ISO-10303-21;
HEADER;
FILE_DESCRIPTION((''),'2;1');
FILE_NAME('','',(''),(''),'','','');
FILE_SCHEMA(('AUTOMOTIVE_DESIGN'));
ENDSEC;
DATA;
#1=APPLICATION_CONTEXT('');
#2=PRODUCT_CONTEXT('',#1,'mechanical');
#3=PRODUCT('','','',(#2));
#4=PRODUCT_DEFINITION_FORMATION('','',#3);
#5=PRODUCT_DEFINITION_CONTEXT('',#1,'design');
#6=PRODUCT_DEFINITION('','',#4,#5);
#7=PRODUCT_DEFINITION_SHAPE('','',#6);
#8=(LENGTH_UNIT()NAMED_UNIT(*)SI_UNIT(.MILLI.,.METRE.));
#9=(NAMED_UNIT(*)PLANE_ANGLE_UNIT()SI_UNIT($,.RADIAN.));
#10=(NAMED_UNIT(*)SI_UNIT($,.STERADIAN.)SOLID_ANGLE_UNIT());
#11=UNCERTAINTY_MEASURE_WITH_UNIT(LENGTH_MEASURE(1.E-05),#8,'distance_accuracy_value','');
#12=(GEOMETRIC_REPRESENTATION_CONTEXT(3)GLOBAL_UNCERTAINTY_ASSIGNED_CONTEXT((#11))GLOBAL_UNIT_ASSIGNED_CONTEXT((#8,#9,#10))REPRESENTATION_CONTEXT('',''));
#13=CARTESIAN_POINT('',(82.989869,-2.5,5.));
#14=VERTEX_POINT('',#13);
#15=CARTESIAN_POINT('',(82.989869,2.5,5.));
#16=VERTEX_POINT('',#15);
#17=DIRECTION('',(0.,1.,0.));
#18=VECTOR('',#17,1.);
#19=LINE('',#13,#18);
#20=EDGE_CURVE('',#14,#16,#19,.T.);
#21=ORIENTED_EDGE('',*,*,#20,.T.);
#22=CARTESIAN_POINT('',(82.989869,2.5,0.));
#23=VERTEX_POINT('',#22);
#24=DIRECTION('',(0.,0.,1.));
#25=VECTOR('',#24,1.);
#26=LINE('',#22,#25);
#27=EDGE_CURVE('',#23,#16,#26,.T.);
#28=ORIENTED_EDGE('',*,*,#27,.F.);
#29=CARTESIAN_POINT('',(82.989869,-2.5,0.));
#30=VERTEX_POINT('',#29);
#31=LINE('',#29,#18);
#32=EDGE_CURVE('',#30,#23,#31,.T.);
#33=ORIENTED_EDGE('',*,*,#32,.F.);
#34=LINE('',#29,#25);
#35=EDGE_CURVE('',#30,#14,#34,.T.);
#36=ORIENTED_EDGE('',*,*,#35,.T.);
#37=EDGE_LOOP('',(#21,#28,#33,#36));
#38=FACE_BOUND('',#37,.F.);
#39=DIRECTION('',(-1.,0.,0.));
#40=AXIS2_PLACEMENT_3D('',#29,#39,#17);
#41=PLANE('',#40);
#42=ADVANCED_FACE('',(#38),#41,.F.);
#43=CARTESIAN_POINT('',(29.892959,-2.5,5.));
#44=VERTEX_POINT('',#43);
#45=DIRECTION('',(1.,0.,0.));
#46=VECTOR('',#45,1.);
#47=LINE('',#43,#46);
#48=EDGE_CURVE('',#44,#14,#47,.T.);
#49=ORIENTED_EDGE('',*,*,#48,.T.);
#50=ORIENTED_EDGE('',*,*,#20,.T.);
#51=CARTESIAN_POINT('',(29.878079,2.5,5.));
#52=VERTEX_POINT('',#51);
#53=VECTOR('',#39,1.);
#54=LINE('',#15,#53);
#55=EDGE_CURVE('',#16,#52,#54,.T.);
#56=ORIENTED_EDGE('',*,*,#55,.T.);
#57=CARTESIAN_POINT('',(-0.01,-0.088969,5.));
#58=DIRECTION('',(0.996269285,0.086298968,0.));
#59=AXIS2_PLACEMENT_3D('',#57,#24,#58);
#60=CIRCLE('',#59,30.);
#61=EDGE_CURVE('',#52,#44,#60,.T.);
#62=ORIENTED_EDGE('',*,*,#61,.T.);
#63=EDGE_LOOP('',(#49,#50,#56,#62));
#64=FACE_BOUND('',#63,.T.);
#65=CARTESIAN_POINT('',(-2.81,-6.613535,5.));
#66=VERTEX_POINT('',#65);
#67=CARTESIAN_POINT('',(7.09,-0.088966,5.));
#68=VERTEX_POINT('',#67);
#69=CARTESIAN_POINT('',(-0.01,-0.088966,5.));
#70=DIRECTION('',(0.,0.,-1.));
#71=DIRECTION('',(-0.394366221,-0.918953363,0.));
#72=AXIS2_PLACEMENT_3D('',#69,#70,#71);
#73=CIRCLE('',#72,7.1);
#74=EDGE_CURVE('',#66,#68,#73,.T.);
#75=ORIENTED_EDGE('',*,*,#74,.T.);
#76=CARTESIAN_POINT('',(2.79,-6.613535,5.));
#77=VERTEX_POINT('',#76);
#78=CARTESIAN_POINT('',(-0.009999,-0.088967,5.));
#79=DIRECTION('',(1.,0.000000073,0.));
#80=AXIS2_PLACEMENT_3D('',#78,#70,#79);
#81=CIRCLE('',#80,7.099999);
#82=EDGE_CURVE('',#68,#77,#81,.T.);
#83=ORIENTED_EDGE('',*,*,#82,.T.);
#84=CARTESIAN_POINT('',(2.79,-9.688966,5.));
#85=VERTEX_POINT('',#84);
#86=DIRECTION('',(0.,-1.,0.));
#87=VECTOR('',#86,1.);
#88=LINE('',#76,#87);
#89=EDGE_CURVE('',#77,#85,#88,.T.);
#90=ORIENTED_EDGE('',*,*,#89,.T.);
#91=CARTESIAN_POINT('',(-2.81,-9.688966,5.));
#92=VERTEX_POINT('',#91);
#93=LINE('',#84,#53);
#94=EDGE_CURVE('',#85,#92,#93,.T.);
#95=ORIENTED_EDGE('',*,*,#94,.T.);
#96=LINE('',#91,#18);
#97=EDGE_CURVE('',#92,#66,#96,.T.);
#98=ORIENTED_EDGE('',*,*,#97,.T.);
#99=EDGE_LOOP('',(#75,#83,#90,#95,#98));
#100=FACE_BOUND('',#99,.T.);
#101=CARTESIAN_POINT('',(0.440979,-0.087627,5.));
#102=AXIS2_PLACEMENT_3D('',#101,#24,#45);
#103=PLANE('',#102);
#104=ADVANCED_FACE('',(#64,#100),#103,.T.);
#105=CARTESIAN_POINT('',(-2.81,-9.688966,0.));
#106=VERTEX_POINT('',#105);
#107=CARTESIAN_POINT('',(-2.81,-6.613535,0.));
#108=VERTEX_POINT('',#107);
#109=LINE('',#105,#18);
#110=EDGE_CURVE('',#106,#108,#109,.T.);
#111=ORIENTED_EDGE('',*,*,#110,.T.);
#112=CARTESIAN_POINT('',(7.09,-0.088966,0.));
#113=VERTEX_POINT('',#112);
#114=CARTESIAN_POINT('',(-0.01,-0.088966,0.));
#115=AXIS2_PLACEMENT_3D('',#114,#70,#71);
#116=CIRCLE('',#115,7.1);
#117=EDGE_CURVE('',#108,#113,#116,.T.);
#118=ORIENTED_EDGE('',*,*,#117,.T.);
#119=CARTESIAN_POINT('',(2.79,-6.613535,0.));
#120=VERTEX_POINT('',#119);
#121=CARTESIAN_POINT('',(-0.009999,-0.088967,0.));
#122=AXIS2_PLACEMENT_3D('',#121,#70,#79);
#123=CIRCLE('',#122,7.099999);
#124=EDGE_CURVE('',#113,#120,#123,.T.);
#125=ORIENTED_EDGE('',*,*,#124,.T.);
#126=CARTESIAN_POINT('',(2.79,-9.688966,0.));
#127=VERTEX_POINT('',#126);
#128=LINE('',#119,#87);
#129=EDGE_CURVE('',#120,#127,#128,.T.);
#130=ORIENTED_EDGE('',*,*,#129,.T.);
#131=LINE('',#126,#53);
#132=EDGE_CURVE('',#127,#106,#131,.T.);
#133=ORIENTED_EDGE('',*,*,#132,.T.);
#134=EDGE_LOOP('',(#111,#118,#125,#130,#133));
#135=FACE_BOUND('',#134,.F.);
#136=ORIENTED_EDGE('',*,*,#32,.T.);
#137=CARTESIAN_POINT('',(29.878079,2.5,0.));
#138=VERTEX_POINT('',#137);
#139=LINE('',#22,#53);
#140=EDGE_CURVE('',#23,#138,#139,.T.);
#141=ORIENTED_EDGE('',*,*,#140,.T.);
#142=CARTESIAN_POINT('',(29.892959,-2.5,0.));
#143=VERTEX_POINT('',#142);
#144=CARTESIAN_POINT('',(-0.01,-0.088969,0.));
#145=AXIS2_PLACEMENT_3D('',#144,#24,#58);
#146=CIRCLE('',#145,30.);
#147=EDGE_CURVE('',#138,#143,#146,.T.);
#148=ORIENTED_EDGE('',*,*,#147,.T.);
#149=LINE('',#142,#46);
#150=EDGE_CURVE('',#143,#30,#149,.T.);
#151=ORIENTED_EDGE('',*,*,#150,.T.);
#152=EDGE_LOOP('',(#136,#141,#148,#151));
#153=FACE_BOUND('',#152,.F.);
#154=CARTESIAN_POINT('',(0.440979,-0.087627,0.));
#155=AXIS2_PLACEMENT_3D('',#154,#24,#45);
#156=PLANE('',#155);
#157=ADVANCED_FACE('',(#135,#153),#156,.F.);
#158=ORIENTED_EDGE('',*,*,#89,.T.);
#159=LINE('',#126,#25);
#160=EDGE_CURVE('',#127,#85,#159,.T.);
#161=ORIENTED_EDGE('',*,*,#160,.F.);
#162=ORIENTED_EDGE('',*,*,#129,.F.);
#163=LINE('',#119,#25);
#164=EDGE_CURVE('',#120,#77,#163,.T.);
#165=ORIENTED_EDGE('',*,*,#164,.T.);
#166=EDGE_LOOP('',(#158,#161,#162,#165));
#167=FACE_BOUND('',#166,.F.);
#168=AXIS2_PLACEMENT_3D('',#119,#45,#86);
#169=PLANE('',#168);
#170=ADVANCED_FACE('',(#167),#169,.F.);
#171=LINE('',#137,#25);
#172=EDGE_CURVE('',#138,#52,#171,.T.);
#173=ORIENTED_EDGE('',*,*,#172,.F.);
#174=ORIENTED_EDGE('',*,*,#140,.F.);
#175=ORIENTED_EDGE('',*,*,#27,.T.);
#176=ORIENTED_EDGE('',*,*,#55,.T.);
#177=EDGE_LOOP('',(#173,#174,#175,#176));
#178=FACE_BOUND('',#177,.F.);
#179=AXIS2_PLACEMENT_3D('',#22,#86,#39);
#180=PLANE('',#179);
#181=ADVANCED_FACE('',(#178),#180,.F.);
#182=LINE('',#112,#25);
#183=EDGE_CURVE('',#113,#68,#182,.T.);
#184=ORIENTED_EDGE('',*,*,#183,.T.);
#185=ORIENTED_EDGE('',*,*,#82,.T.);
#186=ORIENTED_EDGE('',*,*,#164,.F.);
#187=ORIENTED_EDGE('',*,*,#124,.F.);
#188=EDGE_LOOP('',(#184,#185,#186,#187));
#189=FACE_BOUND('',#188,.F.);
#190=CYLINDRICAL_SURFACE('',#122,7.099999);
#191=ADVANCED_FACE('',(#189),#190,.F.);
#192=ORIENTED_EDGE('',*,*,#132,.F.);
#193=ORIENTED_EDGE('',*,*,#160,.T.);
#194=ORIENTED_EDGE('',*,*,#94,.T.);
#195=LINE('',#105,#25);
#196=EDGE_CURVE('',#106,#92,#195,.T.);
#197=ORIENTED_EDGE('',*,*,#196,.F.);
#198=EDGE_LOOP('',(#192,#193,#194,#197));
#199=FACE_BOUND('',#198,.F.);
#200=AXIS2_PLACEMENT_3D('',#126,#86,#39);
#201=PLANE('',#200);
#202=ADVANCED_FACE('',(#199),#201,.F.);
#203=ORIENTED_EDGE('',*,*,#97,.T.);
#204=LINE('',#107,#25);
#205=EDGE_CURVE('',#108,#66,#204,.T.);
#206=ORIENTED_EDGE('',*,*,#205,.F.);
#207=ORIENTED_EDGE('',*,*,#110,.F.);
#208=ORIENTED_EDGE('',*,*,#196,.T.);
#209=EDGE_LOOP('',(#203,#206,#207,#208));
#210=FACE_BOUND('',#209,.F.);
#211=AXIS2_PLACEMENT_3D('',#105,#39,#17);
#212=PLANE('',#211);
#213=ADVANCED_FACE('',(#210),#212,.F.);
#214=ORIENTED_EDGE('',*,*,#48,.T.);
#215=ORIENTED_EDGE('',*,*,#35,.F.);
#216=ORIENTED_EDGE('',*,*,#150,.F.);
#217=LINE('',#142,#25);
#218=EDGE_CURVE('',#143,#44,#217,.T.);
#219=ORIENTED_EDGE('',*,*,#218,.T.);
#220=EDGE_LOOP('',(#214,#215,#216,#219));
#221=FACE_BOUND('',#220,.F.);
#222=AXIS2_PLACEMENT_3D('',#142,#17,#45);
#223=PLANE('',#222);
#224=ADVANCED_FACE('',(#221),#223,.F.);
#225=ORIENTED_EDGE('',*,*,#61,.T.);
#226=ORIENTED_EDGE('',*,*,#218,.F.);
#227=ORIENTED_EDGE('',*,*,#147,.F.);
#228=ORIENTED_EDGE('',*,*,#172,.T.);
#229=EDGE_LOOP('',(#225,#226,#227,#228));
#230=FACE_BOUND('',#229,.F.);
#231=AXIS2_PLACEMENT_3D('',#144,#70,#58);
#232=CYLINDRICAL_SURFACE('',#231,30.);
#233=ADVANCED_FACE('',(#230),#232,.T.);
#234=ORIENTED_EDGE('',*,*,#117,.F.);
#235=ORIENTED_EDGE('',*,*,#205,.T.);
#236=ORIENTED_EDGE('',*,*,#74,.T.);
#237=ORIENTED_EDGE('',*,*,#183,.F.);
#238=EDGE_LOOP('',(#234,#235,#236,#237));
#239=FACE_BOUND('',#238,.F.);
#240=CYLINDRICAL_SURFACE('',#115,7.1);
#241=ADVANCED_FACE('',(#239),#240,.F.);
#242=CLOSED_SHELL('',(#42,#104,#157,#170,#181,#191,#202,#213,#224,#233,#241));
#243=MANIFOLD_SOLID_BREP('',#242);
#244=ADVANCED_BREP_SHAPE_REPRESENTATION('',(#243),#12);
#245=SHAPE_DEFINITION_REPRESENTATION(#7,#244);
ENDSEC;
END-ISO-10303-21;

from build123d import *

# Parameters (mm, degrees)
F1_DEPTH = 5


with BuildPart() as f1:
    # F0 (on Top) → F1 (new body)
    with BuildSketch(Plane.XY):
        with BuildLine():
            ThreePointArc((29.892959, -2.5), (29.96573, -1.295459), (29.99, -0.088966))
            ThreePointArc((29.99, -0.088966), (29.962007, 1.206726), (29.878079, 2.5))
            ThreePointArc((29.878079, 2.5), (-30.009867, -0.178242), (29.892959, -2.5))
        make_face()
        with BuildLine():
            ThreePointArc((-2.81, -6.613535), (-3.917044, 5.839356), (7.09, -0.088966))
            ThreePointArc((7.09, -0.088966), (5.918322, -3.996011), (2.79, -6.613535))
            Line((2.79, -6.613535), (2.79, -9.688966))
            Line((2.79, -9.688966), (-0.01, -9.688966))
            Line((-0.01, -9.688966), (-2.81, -9.688966))
            Line((-2.81, -9.688966), (-2.81, -6.613535))
        make_face(mode=Mode.SUBTRACT)
        with BuildLine():
            ThreePointArc((29.878079, 2.5), (29.962007, 1.206726), (29.99, -0.088966))
            ThreePointArc((29.99, -0.088966), (29.96573, -1.295459), (29.892959, -2.5))
            Line((29.892959, -2.5), (82.989869, -2.5))
            Line((82.989869, -2.5), (82.989869, 0))
            Line((82.989869, 0), (82.989869, 2.5))
            Line((82.989869, 2.5), (29.878079, 2.5))
        make_face()
    extrude(amount=F1_DEPTH)


solid = f1.part
